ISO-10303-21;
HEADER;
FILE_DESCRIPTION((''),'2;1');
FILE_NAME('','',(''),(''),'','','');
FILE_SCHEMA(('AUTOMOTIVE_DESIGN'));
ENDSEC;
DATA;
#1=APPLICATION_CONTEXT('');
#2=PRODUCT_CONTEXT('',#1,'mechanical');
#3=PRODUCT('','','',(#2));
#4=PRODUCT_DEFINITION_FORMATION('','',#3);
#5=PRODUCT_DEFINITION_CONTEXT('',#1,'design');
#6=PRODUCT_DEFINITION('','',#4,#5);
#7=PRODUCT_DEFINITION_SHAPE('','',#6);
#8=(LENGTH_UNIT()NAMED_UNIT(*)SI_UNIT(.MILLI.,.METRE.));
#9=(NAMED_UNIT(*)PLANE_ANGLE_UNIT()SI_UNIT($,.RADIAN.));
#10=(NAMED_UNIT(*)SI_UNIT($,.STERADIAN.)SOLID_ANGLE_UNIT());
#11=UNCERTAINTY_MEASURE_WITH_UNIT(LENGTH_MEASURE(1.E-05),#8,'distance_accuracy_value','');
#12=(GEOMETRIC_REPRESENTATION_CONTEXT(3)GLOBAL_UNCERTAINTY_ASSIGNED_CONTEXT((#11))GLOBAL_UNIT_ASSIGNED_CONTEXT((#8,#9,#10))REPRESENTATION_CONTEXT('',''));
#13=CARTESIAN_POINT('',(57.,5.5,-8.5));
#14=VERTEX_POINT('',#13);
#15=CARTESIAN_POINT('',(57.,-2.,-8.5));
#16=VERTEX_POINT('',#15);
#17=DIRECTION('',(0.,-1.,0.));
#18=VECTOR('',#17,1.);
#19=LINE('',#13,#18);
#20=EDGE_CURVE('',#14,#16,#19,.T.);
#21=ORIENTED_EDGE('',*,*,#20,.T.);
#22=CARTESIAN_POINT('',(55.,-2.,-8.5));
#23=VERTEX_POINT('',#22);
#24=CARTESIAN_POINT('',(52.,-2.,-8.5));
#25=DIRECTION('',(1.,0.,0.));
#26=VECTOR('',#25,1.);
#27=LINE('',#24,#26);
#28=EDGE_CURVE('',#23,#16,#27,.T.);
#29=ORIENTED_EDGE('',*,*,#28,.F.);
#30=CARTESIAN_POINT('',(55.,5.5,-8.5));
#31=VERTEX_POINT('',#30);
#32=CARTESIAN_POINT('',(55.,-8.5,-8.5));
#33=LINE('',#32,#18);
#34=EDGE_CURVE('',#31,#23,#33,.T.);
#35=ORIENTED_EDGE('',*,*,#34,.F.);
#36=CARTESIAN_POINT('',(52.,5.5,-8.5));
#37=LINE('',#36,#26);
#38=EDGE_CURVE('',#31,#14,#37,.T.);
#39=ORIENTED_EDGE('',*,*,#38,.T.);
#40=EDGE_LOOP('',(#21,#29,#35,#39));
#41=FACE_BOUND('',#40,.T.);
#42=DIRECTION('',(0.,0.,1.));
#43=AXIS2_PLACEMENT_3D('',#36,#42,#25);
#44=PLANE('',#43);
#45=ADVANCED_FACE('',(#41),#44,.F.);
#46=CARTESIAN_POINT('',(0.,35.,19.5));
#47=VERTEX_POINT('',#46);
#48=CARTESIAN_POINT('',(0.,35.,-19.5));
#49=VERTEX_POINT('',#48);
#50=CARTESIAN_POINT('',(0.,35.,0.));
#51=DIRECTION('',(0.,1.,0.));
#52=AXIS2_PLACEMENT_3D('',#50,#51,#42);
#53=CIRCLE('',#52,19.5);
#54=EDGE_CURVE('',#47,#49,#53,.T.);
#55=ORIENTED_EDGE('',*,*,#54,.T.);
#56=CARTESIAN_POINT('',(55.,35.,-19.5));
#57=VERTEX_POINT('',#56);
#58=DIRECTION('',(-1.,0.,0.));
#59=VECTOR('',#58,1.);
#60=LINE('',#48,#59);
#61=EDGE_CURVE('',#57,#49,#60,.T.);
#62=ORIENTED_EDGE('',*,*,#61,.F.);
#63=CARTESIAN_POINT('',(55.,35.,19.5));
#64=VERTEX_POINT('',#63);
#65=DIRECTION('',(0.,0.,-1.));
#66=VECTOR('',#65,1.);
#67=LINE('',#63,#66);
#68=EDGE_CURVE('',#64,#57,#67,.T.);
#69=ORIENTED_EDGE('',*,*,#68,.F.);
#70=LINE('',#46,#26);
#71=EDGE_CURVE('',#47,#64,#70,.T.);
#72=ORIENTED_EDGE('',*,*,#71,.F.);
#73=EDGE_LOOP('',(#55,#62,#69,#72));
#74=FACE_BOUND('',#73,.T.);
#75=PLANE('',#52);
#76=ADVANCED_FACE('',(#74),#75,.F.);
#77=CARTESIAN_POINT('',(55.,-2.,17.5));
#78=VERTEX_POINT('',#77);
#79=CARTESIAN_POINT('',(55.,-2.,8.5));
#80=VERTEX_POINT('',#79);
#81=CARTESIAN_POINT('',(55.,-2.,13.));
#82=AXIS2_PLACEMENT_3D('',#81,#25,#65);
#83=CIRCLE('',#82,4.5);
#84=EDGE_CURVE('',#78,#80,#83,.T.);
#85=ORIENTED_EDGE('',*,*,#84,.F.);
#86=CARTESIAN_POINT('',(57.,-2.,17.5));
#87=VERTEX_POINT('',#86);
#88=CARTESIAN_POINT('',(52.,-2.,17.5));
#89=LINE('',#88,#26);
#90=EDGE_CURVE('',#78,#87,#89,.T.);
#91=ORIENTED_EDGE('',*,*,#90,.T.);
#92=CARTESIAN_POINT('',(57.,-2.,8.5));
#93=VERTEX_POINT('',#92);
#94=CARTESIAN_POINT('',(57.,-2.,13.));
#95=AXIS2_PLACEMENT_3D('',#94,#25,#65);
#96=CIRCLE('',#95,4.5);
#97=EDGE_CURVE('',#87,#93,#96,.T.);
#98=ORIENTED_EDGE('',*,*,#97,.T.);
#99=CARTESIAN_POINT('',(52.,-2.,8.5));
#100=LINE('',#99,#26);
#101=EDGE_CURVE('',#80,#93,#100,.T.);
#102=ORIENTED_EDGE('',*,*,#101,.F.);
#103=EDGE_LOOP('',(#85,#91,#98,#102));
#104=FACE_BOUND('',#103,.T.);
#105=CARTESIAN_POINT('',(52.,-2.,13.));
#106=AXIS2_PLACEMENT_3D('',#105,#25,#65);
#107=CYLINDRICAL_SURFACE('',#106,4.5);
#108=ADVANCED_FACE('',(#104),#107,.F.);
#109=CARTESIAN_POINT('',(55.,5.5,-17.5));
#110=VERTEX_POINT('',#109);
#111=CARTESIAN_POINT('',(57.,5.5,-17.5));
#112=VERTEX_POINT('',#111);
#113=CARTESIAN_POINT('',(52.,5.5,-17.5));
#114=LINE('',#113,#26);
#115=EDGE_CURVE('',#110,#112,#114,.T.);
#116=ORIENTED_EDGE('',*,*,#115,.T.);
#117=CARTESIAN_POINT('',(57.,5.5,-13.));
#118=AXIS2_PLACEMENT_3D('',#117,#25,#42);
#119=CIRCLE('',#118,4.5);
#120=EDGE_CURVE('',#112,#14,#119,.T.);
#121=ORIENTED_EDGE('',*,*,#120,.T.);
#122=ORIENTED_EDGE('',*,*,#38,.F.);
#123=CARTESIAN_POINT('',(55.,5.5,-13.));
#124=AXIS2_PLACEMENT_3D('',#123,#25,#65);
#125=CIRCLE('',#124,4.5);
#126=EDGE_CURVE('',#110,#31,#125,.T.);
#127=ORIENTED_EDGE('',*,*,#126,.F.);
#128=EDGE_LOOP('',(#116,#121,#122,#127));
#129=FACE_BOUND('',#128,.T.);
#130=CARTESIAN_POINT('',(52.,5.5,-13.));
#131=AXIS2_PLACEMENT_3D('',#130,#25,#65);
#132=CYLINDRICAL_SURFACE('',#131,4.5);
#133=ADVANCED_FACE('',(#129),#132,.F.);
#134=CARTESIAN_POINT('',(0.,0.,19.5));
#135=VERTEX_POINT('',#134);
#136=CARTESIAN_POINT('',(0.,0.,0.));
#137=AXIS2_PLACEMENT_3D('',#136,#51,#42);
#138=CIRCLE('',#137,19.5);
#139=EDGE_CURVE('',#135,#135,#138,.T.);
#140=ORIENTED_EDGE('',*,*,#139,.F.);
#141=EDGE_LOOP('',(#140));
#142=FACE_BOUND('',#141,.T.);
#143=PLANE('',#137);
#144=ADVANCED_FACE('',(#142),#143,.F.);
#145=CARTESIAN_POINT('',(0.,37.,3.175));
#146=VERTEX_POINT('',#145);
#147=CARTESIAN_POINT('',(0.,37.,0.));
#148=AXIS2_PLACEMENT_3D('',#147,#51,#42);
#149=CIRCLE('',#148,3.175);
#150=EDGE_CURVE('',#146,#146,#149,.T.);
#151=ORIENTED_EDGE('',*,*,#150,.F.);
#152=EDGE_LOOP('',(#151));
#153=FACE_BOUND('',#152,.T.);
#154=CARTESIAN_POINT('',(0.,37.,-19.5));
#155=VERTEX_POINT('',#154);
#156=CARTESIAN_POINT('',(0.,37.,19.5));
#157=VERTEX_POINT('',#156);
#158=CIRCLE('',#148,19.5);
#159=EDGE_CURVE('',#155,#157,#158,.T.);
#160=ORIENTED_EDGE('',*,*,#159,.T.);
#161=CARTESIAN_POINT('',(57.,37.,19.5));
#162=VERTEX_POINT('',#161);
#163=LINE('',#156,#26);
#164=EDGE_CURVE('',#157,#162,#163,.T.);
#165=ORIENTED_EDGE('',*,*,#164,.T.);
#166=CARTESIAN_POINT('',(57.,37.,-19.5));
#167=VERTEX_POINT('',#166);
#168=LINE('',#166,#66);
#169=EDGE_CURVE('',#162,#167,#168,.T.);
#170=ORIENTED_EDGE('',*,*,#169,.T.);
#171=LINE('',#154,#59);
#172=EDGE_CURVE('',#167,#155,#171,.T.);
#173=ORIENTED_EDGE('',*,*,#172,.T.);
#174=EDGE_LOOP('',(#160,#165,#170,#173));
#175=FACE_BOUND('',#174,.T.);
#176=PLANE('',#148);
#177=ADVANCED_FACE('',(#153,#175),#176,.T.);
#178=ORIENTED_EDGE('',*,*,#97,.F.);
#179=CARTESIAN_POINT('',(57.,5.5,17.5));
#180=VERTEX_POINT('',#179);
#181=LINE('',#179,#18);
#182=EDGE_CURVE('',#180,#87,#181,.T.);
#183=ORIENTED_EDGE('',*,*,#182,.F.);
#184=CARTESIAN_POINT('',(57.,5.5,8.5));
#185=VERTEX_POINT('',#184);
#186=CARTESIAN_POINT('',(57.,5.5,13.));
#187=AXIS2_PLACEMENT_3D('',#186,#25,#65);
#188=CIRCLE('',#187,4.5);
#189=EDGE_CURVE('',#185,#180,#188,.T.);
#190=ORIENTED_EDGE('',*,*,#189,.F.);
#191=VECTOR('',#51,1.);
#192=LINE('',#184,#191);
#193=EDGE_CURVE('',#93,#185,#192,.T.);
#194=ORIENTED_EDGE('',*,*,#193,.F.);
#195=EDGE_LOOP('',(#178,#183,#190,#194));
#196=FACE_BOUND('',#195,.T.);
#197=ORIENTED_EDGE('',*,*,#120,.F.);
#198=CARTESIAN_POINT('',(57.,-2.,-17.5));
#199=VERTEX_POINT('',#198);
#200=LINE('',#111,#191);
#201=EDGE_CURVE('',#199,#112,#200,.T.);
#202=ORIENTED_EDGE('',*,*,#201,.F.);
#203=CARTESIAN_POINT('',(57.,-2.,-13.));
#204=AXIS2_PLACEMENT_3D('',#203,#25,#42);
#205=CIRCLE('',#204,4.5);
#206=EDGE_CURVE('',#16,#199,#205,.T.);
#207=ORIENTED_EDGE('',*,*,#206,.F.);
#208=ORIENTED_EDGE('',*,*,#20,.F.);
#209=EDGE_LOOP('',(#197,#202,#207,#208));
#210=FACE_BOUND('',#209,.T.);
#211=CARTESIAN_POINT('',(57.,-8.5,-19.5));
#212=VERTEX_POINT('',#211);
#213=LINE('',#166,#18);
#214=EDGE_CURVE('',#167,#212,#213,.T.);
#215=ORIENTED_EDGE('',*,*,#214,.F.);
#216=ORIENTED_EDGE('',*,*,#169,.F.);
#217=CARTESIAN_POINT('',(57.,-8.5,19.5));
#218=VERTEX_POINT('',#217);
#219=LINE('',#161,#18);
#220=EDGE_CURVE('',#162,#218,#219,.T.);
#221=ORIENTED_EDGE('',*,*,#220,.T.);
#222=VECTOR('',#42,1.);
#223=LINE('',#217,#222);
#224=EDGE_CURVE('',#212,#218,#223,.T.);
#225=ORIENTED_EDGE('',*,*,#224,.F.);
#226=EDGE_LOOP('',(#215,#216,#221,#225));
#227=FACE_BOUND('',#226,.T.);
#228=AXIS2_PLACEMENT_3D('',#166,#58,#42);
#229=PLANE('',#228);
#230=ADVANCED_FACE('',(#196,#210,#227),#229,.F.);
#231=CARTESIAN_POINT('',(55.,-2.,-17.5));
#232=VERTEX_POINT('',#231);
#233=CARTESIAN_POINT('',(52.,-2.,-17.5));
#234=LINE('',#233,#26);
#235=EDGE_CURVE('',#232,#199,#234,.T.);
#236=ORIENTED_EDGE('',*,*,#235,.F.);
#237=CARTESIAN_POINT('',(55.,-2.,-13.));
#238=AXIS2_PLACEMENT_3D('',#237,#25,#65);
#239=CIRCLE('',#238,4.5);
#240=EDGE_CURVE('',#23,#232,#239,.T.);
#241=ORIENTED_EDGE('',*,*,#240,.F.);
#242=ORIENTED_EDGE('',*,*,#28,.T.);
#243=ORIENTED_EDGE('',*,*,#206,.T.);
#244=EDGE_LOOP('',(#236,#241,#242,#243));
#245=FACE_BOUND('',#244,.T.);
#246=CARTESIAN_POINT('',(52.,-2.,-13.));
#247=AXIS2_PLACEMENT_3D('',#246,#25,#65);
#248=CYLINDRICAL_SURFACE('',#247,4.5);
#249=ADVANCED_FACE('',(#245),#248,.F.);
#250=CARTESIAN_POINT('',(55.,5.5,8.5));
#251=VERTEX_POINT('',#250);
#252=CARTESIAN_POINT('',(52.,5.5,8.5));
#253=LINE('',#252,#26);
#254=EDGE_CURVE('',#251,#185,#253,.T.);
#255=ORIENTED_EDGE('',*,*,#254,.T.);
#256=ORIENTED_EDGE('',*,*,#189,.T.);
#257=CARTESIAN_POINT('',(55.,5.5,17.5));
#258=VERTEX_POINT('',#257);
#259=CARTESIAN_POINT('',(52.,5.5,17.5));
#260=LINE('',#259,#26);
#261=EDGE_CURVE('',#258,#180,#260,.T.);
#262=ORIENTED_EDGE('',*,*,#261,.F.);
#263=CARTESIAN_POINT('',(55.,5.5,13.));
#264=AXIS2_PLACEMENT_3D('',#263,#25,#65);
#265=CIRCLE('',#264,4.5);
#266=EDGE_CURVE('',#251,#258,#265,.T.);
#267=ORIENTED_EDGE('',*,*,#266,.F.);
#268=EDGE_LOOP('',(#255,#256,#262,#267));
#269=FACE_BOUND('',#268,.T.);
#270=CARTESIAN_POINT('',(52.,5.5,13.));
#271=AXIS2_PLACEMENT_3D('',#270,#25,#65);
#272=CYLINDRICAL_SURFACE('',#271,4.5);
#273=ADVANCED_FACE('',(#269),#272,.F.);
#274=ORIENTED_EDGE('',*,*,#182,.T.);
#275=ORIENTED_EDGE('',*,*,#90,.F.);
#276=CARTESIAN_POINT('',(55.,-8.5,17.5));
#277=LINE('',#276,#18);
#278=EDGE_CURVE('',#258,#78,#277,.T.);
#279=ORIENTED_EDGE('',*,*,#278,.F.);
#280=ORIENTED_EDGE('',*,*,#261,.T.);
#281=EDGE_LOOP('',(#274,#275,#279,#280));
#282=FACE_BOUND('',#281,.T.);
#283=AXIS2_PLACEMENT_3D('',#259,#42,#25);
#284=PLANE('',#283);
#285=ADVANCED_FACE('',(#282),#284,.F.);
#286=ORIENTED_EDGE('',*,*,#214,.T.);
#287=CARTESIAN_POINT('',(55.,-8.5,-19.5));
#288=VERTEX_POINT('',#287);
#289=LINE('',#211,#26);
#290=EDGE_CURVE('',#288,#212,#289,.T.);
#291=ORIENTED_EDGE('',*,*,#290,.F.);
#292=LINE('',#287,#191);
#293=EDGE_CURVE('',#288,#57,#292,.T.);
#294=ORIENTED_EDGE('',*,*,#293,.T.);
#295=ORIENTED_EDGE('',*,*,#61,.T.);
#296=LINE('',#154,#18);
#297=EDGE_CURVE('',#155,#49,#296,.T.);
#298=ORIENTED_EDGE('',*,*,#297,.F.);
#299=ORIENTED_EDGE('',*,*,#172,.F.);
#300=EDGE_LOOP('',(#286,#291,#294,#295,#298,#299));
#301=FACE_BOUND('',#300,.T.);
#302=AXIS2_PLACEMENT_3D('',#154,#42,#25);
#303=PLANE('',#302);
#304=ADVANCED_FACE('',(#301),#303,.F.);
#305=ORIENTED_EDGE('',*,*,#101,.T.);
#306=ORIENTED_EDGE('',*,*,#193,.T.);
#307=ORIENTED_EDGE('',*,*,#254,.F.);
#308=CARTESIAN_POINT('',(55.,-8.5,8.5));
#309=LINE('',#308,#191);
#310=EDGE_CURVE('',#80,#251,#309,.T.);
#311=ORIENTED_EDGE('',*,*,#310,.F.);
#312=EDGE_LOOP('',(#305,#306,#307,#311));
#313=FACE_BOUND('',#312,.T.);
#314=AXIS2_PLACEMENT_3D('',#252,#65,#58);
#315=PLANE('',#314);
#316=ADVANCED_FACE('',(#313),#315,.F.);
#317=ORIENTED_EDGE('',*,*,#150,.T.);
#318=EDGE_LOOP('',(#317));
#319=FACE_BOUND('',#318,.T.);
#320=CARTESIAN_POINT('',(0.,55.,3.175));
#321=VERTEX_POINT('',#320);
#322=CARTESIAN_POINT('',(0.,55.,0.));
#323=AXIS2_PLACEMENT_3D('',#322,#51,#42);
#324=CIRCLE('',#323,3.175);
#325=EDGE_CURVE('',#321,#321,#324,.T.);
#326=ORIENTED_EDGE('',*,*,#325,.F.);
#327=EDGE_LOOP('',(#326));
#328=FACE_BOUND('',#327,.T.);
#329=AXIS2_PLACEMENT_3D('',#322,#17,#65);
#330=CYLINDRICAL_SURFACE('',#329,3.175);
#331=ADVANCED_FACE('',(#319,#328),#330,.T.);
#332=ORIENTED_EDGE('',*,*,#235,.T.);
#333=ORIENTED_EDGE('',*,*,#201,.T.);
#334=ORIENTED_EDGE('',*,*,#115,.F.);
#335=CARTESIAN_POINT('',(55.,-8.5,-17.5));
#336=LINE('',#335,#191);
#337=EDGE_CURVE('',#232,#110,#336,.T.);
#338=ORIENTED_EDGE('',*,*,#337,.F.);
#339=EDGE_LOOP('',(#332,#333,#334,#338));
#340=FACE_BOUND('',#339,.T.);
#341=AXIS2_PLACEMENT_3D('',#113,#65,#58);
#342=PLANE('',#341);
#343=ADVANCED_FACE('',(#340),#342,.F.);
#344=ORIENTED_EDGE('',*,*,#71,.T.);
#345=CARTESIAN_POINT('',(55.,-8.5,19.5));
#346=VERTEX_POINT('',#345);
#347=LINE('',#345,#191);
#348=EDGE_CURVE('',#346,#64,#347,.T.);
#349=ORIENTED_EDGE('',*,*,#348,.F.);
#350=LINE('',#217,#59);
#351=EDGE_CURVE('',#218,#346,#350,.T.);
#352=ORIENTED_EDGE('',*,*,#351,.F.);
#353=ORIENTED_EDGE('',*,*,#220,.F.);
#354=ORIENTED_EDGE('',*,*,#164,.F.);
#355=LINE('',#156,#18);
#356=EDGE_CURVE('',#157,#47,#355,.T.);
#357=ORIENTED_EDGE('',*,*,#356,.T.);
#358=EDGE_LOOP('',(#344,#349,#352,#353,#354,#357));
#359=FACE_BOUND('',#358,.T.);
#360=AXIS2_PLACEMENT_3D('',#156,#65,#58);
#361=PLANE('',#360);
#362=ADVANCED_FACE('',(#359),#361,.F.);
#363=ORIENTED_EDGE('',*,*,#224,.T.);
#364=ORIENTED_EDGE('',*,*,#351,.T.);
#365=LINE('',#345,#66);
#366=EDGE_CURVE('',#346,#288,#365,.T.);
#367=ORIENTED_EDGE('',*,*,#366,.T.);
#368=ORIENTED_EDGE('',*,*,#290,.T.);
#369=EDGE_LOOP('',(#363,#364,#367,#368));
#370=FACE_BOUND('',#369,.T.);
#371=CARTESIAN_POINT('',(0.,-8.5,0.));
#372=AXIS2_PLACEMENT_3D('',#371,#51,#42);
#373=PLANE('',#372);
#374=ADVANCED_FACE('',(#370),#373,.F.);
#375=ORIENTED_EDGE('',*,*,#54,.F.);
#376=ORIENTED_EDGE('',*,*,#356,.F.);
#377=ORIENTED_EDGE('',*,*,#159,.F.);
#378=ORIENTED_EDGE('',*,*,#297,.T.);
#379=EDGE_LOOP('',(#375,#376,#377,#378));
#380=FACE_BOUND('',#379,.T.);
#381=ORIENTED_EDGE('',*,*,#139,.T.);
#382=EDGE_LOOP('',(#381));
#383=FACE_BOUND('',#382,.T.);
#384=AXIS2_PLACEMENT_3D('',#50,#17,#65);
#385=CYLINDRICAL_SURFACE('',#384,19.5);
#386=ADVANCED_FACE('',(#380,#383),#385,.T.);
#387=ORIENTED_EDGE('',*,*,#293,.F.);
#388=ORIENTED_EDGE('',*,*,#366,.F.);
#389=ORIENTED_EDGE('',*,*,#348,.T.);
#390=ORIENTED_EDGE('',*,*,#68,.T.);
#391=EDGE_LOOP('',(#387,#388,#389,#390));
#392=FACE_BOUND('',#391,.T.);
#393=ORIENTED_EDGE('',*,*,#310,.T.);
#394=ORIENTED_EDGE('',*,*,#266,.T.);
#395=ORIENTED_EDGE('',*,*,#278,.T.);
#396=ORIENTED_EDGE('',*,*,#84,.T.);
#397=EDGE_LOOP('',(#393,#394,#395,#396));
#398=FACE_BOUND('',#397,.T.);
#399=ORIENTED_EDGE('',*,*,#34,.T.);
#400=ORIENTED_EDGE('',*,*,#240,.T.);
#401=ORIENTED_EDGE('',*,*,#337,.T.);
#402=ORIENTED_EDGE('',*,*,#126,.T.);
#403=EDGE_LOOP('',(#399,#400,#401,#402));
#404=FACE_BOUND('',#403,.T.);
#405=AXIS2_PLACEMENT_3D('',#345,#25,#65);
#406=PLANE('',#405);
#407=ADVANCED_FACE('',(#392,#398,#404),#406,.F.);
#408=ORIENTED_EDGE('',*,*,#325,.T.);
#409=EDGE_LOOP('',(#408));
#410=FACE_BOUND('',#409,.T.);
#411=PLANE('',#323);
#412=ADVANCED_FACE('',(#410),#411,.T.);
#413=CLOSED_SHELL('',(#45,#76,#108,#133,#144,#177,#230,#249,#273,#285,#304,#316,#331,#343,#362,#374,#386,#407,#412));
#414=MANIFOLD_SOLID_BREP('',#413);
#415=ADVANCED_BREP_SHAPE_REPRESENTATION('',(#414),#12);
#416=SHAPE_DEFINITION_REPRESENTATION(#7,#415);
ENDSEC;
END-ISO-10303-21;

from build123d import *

# Parameters (mm, degrees)
ESQUISSE1_R             = 19.5
BOSS_EXTRU_1_DEPTH      = 35
ESQUISSE2_R             = 3.175
BOSS_EXTRU_2_DEPTH      = 20
BOSS_EXTRU_3_DEPTH      = 2
ESQUISSE5_W             = 2
ESQUISSE5_H             = 39
BOSS_EXTRU_4_DEPTH      = 43.5
ENL_V_MAT_EXTRU_1_DEPTH = 5


with BuildPart() as part:
    # Esquisse1 → Boss.-Extru.1 (new body)
    with BuildSketch(Plane(origin=(0, 0, 0), x_dir=(1, 0, 0), z_dir=(0, 1, 0))):
        with Locations(Location((0, 0, 0), (0, 0, 270))):
            Circle(ESQUISSE1_R)
    extrude(amount=BOSS_EXTRU_1_DEPTH)

    # Esquisse2 → Boss.-Extru.2 (add)
    with BuildSketch(Plane(origin=(0, 35, 0), x_dir=(1, 0, 0), z_dir=(0, 1, 0))):
        with Locations(Location((0, 0, 0), (0, 0, 270))):
            Circle(ESQUISSE2_R)
    extrude(amount=BOSS_EXTRU_2_DEPTH)

    # Esquisse4 → Boss.-Extru.3 (add)
    with BuildSketch(Plane(origin=(0, 35, 0), x_dir=(1, 0, 0), z_dir=(0, 1, 0))):
        with BuildLine():
            Line((0, 19.5), (57, 19.5))
            Line((57, 19.5), (57, -19.5))
            Line((57, -19.5), (0, -19.5))
            ThreePointArc((0, -19.5), (-19.5, 0), (0, 19.5))
        make_face()
    extrude(amount=BOSS_EXTRU_3_DEPTH)

    # Esquisse5 → Boss.-Extru.4 (add)
    with BuildSketch(Plane.XZ.offset(-35)):
        with Locations((56, 0)):
            Rectangle(ESQUISSE5_W, ESQUISSE5_H)
    extrude(amount=BOSS_EXTRU_4_DEPTH)

    # Esquisse6 → Enlèv. mat.-Extru.1 (cut)
    with BuildSketch(Plane(origin=(57, 0, 0), x_dir=(0, 0, -1), z_dir=(1, 0, 0))):
        with BuildLine():
            Line((-8.5, 5.5), (-8.5, -2))
            ThreePointArc((-8.5, -2), (-13, -6.5), (-17.5, -2))
            Line((-17.5, -2), (-17.5, 5.5))
            ThreePointArc((-17.5, 5.5), (-13, 10), (-8.5, 5.5))
        make_face()
        with BuildLine():
            Line((8.5, 5.5), (8.5, -2))
            ThreePointArc((8.5, -2), (13, -6.5), (17.5, -2))
            Line((17.5, -2), (17.5, 5.5))
            ThreePointArc((17.5, 5.5), (13, 10), (8.5, 5.5))
        make_face()
    extrude(amount=-ENL_V_MAT_EXTRU_1_DEPTH, mode=Mode.SUBTRACT)


solid = part.part
